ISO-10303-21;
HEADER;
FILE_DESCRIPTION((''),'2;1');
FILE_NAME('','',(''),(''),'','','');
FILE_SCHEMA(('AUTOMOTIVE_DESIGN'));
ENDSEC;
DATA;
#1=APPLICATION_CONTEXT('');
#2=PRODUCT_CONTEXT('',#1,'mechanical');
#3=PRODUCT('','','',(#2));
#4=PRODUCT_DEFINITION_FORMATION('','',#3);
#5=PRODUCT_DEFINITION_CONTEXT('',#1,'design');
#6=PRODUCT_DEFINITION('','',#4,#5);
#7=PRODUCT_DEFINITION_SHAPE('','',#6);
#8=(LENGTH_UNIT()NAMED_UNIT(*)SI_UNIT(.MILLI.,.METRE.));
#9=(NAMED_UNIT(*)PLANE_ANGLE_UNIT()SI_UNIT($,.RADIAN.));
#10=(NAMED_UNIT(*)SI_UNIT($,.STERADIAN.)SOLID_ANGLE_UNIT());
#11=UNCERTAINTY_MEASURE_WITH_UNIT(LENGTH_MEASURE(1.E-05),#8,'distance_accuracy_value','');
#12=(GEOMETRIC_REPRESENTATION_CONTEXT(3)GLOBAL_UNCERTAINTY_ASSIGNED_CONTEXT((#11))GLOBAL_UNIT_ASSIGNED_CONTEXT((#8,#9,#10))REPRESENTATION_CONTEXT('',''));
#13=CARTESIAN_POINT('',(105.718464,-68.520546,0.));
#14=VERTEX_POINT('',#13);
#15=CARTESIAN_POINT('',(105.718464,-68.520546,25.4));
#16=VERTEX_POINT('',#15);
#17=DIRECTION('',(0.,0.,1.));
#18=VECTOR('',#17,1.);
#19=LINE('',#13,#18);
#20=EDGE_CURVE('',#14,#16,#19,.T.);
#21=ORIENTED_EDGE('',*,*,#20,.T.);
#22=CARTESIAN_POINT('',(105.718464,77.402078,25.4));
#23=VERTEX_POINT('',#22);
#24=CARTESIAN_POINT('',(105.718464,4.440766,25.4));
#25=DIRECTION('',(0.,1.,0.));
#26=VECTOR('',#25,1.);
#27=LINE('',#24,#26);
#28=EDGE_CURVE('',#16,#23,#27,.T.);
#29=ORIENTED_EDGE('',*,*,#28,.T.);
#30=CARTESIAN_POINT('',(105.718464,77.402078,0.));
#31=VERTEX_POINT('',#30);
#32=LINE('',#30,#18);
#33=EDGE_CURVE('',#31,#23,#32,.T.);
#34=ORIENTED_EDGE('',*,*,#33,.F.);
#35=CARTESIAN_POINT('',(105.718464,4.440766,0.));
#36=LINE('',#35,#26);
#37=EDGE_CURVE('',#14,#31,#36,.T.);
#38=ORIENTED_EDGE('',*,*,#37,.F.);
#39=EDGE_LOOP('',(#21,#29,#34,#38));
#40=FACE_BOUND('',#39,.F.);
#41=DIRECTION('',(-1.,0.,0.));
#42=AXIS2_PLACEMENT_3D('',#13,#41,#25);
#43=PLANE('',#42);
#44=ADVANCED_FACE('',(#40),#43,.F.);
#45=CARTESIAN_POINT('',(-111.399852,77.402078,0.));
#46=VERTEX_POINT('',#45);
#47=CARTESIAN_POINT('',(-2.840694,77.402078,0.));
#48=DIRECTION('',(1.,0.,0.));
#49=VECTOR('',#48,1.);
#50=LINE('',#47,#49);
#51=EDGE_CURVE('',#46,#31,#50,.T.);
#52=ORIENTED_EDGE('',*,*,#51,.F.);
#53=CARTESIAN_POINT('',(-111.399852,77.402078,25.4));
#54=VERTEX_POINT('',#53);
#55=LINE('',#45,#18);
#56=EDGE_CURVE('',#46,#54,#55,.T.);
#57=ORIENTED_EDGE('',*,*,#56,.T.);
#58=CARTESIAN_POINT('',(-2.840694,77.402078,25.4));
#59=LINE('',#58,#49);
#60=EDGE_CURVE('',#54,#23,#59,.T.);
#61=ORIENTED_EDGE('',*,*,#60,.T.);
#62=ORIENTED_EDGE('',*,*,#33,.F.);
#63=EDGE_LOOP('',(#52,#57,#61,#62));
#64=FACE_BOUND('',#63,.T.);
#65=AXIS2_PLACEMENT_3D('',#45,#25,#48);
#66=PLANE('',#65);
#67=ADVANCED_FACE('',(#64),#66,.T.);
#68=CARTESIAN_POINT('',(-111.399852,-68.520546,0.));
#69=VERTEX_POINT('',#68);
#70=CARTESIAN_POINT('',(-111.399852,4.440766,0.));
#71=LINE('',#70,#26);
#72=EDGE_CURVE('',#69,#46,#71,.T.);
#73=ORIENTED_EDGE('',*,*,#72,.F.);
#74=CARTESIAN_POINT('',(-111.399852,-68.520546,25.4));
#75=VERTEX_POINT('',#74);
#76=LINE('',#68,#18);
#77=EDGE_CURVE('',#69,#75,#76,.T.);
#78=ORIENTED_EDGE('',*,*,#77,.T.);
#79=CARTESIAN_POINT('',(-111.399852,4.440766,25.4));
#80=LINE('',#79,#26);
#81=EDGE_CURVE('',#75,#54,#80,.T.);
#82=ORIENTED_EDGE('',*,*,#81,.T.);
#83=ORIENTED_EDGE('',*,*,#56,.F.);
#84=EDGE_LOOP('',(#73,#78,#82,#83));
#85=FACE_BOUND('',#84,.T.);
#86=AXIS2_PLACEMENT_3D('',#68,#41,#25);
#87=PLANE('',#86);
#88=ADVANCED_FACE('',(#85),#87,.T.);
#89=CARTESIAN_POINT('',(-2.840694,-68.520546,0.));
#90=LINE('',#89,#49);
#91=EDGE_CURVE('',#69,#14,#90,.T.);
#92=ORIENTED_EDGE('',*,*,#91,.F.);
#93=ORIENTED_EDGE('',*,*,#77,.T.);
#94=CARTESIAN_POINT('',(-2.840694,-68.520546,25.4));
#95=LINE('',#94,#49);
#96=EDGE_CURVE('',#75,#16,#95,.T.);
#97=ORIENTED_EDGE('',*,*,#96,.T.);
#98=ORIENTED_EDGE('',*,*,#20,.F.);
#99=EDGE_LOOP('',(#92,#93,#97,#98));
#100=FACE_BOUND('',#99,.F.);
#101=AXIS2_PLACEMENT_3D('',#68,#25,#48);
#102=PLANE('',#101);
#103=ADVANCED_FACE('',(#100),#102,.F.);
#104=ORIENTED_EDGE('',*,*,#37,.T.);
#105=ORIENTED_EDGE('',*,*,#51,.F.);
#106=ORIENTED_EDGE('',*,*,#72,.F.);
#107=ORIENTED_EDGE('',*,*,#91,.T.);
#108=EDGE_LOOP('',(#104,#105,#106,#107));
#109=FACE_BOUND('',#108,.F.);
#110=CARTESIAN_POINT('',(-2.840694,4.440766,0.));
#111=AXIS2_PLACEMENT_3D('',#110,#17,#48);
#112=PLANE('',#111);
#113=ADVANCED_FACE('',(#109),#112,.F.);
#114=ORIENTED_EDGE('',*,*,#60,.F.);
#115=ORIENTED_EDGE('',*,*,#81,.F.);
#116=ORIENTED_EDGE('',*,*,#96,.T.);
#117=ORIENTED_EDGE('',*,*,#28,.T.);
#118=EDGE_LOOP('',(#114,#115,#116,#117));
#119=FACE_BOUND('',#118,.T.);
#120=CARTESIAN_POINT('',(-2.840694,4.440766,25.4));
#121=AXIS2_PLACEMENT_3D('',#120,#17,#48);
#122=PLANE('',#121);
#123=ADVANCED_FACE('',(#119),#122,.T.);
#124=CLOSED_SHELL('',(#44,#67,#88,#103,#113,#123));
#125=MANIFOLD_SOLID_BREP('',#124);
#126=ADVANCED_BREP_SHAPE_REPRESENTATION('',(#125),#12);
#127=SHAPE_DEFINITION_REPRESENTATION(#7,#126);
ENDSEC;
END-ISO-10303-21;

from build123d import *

# Parameters (mm, degrees)
F0_W     = 217.118316
F0_H     = 145.922624
F1_DEPTH = 25.4
F2_W     = 99.202577
F2_H     = 97.642794
F3_DEPTH = 25


with BuildPart() as f1:
    # F0 (on Top) → F1 (new body)
    with BuildSketch(Plane.XY):
        with Locations((-2.840694, 4.440766)):
            Rectangle(F0_W, F0_H)
    extrude(amount=F1_DEPTH)

    # F2 (on Top) → F3 (cut)
    with BuildSketch(Plane.XY):
        with Locations((-0.189052, 0.13056)):
            Rectangle(F2_W, F2_H)
    extrude(amount=-F3_DEPTH, mode=Mode.SUBTRACT)


solid = f1.part
